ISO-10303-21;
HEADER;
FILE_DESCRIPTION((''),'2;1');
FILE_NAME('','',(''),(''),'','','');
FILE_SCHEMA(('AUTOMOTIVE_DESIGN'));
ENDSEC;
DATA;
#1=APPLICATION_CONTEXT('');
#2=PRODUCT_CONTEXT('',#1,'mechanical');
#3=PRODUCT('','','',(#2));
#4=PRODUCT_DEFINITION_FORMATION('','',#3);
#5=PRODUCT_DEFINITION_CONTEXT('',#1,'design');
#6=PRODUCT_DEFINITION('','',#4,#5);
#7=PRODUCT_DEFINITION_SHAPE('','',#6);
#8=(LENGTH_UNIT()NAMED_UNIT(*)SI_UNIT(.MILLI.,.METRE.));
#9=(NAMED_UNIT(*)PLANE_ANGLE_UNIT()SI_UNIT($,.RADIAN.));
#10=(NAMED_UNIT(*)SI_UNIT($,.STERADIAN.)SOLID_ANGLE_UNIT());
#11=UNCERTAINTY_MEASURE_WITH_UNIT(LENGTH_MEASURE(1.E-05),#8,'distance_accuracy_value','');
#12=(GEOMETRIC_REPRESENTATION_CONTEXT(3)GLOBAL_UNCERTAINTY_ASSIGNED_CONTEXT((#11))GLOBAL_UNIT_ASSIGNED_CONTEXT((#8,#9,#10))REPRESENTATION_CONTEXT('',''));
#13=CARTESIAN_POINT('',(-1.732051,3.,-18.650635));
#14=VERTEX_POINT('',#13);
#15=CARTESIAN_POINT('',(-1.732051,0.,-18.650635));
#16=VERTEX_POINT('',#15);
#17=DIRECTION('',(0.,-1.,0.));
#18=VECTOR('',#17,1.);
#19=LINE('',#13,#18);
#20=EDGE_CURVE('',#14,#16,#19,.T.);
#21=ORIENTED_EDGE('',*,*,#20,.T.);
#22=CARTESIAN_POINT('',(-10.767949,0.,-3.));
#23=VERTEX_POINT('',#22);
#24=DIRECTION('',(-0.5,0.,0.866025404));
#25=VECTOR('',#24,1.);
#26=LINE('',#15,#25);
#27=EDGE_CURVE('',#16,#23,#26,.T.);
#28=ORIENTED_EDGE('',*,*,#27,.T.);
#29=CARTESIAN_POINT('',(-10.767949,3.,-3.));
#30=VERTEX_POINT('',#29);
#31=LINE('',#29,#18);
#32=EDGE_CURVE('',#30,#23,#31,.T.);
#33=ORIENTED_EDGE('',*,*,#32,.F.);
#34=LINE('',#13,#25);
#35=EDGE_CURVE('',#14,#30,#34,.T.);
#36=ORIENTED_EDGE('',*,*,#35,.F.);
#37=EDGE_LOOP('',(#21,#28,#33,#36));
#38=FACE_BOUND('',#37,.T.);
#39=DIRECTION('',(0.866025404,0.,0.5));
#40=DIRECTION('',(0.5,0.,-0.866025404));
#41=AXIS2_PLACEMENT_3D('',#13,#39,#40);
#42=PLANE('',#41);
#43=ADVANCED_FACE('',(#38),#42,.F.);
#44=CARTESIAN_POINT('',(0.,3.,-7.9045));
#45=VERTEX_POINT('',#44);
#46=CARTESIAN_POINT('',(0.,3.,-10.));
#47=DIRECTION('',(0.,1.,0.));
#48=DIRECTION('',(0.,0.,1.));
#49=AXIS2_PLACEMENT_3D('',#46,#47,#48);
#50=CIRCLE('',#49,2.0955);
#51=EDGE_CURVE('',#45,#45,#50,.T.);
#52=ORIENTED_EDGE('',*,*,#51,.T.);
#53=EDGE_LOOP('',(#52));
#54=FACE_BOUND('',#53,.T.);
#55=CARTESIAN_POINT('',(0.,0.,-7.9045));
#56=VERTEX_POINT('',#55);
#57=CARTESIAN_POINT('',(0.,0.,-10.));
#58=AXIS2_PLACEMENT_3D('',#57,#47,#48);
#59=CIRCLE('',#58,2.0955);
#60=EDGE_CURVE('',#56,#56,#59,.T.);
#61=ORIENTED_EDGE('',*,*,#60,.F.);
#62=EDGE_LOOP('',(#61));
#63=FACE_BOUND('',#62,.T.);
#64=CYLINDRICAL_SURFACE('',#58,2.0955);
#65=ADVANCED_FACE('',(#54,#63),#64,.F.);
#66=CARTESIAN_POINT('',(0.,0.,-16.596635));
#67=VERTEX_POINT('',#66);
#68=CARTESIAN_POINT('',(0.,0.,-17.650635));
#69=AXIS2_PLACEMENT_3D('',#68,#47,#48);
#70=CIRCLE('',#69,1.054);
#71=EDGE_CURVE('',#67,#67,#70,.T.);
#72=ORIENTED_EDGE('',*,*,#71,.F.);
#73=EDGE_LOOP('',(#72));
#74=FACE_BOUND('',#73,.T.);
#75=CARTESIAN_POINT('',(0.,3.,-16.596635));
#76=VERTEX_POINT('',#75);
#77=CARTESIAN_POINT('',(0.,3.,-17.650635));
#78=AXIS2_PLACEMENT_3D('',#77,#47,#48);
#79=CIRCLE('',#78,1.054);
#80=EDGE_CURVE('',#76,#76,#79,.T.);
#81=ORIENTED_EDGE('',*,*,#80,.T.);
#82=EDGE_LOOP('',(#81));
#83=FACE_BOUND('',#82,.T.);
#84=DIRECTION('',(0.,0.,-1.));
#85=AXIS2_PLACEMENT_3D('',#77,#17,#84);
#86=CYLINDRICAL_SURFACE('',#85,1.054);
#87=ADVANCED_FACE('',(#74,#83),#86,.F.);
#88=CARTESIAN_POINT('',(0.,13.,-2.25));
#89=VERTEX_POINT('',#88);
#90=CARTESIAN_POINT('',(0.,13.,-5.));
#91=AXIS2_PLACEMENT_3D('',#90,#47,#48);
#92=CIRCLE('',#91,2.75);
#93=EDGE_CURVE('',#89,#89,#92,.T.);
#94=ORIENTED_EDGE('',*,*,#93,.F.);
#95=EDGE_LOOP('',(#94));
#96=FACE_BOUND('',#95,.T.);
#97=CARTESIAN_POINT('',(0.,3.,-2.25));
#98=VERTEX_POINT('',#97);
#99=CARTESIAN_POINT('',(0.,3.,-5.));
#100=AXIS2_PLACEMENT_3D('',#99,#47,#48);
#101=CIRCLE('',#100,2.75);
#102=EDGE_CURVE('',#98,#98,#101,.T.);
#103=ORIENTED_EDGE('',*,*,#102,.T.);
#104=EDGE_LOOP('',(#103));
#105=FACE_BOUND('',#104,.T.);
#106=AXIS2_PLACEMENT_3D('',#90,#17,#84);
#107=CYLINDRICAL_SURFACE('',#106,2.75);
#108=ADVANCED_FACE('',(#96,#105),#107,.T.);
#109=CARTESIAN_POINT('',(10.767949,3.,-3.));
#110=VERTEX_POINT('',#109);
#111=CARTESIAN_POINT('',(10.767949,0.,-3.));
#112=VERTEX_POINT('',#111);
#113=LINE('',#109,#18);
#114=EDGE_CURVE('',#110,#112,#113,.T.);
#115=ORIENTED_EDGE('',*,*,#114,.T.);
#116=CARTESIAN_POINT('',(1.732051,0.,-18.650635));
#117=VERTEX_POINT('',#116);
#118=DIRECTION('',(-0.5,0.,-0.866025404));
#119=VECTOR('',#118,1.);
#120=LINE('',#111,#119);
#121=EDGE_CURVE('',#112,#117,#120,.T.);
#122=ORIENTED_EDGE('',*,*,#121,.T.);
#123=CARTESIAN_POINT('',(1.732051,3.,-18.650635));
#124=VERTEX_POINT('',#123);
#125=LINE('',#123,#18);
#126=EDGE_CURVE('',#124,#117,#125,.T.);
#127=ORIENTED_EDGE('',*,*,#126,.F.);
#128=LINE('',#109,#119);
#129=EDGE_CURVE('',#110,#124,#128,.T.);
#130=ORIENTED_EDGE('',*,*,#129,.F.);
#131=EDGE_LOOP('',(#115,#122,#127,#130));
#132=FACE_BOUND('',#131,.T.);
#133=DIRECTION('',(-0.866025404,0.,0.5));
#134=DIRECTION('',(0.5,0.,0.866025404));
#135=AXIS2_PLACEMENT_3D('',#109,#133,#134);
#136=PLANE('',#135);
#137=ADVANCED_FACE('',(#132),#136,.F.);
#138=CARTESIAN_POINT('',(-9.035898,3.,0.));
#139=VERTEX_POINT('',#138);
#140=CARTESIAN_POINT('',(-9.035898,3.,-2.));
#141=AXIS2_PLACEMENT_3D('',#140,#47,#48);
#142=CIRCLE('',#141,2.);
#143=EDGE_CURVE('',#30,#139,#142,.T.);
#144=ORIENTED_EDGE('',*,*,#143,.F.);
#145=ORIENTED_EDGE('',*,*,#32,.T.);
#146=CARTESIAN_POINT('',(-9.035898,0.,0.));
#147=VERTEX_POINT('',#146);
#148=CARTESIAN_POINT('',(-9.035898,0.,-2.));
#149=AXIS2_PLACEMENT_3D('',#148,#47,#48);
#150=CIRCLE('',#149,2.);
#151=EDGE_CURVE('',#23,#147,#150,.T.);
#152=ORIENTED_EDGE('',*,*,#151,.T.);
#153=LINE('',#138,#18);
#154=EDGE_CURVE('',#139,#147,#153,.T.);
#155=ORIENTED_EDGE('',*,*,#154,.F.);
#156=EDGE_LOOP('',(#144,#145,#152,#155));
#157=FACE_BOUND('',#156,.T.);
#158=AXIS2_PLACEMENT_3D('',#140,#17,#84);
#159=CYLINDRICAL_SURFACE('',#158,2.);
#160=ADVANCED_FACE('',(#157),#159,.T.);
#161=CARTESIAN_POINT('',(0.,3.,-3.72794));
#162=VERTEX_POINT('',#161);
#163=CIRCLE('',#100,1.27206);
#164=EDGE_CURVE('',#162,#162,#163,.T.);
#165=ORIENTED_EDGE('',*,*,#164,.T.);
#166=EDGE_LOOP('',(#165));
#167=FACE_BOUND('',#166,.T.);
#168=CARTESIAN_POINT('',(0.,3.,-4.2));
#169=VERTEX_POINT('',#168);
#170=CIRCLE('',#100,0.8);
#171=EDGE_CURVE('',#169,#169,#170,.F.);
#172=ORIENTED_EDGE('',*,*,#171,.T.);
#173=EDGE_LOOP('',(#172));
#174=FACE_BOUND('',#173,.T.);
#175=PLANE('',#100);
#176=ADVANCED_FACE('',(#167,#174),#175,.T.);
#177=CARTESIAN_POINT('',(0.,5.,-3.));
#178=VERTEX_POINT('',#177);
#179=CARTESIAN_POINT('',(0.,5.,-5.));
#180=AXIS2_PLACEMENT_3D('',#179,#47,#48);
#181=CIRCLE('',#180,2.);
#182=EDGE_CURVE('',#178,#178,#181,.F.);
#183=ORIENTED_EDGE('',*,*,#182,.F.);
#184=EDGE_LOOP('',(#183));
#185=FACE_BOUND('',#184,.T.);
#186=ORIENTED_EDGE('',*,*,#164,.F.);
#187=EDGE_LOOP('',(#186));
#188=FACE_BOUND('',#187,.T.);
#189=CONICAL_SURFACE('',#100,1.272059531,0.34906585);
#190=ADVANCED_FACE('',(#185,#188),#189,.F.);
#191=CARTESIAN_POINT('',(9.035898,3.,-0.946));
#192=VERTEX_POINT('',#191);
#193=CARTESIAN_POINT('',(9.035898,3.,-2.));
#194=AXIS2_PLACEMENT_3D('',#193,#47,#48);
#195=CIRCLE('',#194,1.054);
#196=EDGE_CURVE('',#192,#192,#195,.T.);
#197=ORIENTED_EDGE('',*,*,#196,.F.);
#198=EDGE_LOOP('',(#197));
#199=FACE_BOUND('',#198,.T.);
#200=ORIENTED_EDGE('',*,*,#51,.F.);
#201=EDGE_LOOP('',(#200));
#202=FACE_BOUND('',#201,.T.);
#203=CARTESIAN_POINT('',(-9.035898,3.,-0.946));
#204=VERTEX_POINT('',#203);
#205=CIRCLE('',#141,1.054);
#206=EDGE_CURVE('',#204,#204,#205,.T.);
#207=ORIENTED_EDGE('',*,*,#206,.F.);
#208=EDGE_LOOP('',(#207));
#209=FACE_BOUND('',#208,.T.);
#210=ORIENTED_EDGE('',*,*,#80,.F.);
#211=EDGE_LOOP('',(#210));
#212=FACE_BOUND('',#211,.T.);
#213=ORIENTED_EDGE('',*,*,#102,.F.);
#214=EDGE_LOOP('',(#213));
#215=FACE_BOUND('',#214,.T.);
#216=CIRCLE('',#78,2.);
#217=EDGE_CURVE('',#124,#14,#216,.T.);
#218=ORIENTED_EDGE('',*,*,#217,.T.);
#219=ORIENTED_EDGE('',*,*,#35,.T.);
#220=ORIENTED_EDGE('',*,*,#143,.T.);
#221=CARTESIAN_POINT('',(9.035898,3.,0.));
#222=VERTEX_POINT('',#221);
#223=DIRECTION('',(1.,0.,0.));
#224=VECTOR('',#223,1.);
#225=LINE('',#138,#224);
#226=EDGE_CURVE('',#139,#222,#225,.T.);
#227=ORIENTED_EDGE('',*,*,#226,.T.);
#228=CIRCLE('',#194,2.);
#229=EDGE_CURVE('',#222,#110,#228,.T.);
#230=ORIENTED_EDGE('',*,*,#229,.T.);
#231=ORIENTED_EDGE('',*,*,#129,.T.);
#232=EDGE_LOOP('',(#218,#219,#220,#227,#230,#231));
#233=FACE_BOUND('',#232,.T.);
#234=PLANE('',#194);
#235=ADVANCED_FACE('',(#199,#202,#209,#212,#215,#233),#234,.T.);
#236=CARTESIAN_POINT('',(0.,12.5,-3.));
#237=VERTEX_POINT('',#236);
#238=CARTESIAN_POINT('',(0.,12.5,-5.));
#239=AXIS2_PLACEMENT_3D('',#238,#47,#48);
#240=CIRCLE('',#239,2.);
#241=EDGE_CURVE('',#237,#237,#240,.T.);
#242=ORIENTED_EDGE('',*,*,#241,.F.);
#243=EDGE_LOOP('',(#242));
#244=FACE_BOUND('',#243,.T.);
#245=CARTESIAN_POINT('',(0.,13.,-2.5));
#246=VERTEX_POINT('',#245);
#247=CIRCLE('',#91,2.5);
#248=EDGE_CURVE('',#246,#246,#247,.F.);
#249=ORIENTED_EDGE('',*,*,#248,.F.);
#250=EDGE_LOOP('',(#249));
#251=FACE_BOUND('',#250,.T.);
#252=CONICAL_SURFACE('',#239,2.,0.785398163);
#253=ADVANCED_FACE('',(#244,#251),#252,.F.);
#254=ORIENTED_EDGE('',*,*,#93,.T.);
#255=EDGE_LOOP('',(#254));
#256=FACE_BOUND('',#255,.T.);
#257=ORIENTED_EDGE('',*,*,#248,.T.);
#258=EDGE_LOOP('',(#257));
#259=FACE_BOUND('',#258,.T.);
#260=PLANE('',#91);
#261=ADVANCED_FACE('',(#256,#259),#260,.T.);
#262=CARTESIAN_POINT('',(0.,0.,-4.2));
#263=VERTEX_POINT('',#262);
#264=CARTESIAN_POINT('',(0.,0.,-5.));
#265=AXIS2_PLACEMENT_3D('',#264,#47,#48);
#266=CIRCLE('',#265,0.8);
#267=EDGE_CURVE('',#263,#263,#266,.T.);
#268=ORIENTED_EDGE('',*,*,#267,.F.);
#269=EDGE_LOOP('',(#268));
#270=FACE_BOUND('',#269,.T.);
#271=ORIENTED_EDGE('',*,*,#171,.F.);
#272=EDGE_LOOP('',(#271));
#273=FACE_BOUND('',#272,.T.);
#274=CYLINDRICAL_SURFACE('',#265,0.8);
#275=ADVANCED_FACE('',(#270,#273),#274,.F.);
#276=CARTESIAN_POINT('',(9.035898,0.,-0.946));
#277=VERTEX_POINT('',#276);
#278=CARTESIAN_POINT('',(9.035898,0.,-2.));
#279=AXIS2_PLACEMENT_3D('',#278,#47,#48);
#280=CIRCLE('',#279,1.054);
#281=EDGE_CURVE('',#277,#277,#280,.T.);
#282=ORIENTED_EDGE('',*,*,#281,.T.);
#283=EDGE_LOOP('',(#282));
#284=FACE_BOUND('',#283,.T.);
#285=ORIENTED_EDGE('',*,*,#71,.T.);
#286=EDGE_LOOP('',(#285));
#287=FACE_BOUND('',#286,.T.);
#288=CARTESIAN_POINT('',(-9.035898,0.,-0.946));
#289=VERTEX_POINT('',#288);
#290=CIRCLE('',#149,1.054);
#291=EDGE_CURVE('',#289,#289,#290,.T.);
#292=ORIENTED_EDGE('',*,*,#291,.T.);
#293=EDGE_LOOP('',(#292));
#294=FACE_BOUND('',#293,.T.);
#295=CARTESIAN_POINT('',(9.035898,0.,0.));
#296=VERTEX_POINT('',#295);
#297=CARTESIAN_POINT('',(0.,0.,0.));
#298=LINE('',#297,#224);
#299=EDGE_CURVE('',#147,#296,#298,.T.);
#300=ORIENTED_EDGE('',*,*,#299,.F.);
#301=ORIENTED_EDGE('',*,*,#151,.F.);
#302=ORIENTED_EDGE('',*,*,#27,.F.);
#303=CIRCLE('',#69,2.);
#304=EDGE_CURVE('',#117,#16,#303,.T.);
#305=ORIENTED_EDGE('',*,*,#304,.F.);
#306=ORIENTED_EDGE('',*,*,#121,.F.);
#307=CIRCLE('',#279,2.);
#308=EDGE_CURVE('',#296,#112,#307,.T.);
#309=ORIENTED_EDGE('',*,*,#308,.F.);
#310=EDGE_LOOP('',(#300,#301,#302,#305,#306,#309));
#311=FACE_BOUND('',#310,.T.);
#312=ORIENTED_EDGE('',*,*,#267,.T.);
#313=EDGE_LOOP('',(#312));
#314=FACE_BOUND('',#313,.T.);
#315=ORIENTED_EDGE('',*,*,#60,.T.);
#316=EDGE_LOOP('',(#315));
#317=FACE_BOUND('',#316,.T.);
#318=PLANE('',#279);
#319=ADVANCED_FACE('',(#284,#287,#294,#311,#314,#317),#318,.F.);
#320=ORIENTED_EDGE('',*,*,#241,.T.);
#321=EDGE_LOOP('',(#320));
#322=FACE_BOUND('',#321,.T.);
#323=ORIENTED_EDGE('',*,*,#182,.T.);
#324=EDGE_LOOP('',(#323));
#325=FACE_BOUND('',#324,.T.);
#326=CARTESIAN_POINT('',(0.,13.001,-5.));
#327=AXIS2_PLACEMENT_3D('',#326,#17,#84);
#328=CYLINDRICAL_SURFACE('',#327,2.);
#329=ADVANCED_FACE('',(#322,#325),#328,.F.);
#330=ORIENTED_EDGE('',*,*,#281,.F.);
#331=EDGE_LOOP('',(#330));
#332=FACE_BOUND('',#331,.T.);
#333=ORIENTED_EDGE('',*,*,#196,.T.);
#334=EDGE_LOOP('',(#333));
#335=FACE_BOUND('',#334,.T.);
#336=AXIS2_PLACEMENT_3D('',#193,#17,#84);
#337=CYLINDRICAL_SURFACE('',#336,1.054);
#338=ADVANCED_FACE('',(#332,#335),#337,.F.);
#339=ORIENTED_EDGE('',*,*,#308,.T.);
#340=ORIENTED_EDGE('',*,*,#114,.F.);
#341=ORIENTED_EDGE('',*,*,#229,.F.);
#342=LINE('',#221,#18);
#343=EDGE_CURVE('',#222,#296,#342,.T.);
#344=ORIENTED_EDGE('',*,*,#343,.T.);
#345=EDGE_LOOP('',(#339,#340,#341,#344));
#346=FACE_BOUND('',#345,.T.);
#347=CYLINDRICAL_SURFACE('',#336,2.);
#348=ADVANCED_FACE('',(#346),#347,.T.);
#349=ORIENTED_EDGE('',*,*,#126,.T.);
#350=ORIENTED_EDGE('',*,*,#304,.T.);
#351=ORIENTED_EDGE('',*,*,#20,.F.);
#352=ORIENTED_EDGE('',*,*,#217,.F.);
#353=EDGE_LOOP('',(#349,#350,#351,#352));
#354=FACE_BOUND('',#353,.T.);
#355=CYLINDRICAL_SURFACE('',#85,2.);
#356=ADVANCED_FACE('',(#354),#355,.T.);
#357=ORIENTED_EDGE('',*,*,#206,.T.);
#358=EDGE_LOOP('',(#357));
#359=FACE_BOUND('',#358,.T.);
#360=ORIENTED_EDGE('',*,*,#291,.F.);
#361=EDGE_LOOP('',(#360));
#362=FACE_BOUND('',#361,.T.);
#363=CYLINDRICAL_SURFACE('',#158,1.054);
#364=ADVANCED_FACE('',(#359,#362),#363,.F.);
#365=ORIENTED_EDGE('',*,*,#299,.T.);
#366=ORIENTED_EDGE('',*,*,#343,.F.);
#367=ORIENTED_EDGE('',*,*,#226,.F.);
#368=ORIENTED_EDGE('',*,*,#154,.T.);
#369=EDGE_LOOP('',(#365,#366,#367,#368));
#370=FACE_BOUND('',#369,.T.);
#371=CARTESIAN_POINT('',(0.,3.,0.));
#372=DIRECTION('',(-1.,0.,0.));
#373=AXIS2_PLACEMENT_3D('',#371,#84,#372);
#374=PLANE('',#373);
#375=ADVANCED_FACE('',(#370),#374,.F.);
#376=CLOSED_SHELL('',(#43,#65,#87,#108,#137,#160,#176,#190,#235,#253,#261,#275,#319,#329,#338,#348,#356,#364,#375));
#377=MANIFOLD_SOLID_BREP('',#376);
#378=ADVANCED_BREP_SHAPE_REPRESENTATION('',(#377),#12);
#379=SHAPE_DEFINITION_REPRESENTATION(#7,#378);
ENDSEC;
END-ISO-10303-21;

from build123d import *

# Parameters (mm, degrees)
SKETCH1_R           = 1.054
BOSS_EXTRUDE1_DEPTH = 3
SKETCH2_R           = 0.8
SKETCH2_R_2         = 2.0955
CUT_EXTRUDE1_DEPTH  = 23.736281859
SKETCH3_R           = 2.75
BOSS_EXTRUDE2_DEPTH = 10
CUT_EXTRUDE2_REACH  = 26.656
SKETCH4_R           = 2
CHAMFER1_SIZE       = 2
CHAMFER1_SIZE2      = 0.727940469
CHAMFER2_SIZE       = 0.5


with BuildPart() as part:
    # Sketch1 → Boss-Extrude1 (new body)
    with BuildSketch(Plane(origin=(0, 0, 0), x_dir=(1, 0, 0), z_dir=(0, 1, 0))):
        with BuildLine():
            Line((0, 0), (9.035898385, 0))
            ThreePointArc((9.035898385, 0), (10.767949192, 1), (10.767949192, 3))
            Line((10.767949192, 3), (1.732050808, 18.650635095))
            ThreePointArc((1.732050808, 18.650635095), (0, 19.650635095), (-1.732050808, 18.650635095))
            Line((-1.732050808, 18.650635095), (-10.767949192, 3))
            ThreePointArc((-10.767949192, 3), (-10.767949192, 1), (-9.035898385, 0))
            Line((-9.035898385, 0), (0, 0))
        make_face()
        with Locations(Location((0, 17.650635095, 0), (0, 0, 270))):
            Circle(SKETCH1_R, mode=Mode.SUBTRACT)
        with Locations(Location((-9.035898385, 2, 0), (0, 0, 270))):
            Circle(SKETCH1_R, mode=Mode.SUBTRACT)
        with Locations(Location((9.035898385, 2, 0), (0, 0, 270))):
            Circle(SKETCH1_R, mode=Mode.SUBTRACT)
    extrude(amount=BOSS_EXTRUDE1_DEPTH)

    # Sketch2 → Cut-Extrude1 (cut, through all)
    with BuildSketch(Plane(origin=(0, 3, 0), x_dir=(1, 0, 0), z_dir=(0, 1, 0))):
        with Locations(Location((0, 5, 0), (0, 0, 270))):
            Circle(SKETCH2_R)
        with Locations(Location((0, 10, 0), (0, 0, 270))):
            Circle(SKETCH2_R_2)
    extrude(amount=-CUT_EXTRUDE1_DEPTH, mode=Mode.SUBTRACT)

    # Sketch3 → Boss-Extrude2 (add)
    with BuildSketch(Plane(origin=(0, 3, 0), x_dir=(1, 0, 0), z_dir=(0, 1, 0))):
        with Locations(Location((0, 5, 0), (0, 0, 270))):
            Circle(SKETCH3_R)
    extrude(amount=BOSS_EXTRUDE2_DEPTH)

    # Sketch4 → Cut-Extrude2 (cut, up to next)
    with BuildSketch(Plane(origin=(0, 3, 0), x_dir=(1, 0, 0), z_dir=(0, 1, 0)), mode=Mode.PRIVATE) as cut_extrude2_sk1:
        with Locations(Location((0, 5, 0), (0, 0, 270))):
            Circle(SKETCH4_R)
    cut_extrude2_tool1 = extrude(cut_extrude2_sk1.sketch, amount=CUT_EXTRUDE2_REACH, mode=Mode.PRIVATE) & part.part
    add(cut_extrude2_tool1.solids().sort_by_distance((0, 3, -5))[0], mode=Mode.SUBTRACT)

    # Chamfer1
    chamfer1_edges = [part.edges().sort_by_distance(p)[0] for p in [
        (0, 3, -7),
    ]]
    chamfer1_side = [part.faces().sort_by_distance(p)[0] for p in [
        (0, 8, -7),
    ]]
    chamfer(chamfer1_edges, length=CHAMFER1_SIZE, length2=CHAMFER1_SIZE2, reference=chamfer1_side[0])

    # Chamfer2
    chamfer2_edges = [part.edges().sort_by_distance(p)[0] for p in [
        (0, 13, -7),
    ]]
    chamfer(chamfer2_edges, length=CHAMFER2_SIZE)


solid = part.part
